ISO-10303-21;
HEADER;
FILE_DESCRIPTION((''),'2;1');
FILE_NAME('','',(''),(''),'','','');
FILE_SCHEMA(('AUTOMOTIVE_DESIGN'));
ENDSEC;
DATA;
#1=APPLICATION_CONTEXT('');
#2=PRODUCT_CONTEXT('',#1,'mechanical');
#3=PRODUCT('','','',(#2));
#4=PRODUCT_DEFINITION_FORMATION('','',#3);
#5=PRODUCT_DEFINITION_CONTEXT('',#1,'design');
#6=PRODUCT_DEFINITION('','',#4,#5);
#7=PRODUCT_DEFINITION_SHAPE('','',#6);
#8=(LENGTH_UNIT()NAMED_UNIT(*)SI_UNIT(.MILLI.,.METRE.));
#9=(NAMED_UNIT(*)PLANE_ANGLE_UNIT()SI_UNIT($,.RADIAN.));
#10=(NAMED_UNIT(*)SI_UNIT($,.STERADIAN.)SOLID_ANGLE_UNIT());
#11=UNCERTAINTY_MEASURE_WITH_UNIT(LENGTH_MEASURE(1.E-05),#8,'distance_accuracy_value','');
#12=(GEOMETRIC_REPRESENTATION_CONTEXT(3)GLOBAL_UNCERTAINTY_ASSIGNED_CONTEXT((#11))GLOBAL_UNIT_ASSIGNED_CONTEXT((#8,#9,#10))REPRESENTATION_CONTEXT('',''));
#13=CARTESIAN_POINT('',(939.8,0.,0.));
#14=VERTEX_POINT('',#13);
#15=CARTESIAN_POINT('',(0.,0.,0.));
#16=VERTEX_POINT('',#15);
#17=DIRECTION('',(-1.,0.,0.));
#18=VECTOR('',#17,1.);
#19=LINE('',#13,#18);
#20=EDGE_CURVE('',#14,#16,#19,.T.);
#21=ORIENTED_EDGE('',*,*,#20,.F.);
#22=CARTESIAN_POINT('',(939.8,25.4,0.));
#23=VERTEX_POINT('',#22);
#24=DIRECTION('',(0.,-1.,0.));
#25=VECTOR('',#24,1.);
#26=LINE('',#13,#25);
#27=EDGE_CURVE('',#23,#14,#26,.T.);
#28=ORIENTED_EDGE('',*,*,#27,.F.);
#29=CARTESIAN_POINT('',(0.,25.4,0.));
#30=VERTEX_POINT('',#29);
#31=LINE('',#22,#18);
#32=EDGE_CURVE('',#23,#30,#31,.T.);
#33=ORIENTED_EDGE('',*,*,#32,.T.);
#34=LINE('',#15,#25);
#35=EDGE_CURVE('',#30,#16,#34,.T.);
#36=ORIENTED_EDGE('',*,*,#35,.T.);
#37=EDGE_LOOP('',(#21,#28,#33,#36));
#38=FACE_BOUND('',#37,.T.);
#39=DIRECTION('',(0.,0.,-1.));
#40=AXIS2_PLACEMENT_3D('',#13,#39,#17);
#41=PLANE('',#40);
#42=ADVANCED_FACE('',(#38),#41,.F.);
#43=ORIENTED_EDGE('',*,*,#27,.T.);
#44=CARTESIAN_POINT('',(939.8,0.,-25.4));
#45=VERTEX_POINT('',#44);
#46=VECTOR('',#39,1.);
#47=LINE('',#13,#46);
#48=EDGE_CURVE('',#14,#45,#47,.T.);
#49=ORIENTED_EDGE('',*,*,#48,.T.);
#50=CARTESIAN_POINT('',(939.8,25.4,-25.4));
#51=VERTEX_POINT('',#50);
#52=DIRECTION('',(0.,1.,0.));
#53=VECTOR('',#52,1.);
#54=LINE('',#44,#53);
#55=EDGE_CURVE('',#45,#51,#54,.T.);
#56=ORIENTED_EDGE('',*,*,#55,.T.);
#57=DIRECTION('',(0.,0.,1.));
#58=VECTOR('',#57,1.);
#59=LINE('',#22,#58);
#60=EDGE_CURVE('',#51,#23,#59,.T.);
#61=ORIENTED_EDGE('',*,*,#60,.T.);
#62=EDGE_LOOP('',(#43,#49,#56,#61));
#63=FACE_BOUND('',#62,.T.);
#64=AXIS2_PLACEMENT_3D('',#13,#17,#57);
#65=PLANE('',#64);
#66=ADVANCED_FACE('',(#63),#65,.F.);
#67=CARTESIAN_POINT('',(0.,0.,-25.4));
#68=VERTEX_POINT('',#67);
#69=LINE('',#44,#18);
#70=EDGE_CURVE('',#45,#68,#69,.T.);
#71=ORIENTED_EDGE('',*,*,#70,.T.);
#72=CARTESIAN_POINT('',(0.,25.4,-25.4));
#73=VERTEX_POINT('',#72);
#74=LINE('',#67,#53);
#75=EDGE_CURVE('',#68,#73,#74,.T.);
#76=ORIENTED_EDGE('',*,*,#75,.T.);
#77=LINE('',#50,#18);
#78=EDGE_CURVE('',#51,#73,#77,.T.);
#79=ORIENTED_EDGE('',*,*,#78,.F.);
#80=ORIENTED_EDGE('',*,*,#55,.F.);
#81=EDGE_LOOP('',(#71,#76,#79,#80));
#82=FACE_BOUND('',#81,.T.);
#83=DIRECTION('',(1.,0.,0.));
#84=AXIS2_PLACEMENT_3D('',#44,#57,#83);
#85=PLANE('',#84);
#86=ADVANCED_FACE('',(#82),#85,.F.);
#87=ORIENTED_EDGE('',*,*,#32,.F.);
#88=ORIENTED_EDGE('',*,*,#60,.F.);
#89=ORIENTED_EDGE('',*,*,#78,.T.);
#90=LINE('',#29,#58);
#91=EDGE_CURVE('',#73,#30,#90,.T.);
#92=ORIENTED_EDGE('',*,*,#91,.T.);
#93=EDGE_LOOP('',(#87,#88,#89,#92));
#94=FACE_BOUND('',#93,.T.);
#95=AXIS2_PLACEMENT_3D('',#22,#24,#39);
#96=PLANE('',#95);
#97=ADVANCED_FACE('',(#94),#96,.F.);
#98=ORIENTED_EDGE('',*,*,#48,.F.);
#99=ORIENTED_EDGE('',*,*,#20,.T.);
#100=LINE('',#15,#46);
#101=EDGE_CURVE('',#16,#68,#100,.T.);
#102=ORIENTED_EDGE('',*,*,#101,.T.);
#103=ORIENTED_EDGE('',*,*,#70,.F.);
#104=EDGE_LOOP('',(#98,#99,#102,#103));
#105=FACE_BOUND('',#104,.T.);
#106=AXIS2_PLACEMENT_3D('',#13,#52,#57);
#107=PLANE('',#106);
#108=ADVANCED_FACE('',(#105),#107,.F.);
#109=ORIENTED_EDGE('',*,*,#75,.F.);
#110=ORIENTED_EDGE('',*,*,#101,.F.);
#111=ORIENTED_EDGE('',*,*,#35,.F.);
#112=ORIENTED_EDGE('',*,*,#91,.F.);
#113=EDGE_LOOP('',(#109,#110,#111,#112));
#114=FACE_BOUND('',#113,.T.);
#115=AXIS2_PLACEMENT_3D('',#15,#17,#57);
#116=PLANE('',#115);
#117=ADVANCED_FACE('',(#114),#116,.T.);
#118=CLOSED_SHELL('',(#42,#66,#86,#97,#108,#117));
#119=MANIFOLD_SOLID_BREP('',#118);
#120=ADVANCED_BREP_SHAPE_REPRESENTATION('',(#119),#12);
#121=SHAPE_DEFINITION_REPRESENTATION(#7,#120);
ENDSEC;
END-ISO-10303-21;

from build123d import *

# Parameters (mm, degrees)
SKETCH1_W           = 25.4
SKETCH1_H           = 25.4
BOSS_EXTRUDE2_DEPTH = 939.8


with BuildPart() as part:
    # Sketch1 → Boss-Extrude2 (new body)
    with BuildSketch(Plane(origin=(0, 0, 0), x_dir=(0, 0, -1), z_dir=(1, 0, 0))):
        with Locations((12.7, 12.7)):
            Rectangle(SKETCH1_W, SKETCH1_H)
    extrude(amount=BOSS_EXTRUDE2_DEPTH)


solid = part.part
